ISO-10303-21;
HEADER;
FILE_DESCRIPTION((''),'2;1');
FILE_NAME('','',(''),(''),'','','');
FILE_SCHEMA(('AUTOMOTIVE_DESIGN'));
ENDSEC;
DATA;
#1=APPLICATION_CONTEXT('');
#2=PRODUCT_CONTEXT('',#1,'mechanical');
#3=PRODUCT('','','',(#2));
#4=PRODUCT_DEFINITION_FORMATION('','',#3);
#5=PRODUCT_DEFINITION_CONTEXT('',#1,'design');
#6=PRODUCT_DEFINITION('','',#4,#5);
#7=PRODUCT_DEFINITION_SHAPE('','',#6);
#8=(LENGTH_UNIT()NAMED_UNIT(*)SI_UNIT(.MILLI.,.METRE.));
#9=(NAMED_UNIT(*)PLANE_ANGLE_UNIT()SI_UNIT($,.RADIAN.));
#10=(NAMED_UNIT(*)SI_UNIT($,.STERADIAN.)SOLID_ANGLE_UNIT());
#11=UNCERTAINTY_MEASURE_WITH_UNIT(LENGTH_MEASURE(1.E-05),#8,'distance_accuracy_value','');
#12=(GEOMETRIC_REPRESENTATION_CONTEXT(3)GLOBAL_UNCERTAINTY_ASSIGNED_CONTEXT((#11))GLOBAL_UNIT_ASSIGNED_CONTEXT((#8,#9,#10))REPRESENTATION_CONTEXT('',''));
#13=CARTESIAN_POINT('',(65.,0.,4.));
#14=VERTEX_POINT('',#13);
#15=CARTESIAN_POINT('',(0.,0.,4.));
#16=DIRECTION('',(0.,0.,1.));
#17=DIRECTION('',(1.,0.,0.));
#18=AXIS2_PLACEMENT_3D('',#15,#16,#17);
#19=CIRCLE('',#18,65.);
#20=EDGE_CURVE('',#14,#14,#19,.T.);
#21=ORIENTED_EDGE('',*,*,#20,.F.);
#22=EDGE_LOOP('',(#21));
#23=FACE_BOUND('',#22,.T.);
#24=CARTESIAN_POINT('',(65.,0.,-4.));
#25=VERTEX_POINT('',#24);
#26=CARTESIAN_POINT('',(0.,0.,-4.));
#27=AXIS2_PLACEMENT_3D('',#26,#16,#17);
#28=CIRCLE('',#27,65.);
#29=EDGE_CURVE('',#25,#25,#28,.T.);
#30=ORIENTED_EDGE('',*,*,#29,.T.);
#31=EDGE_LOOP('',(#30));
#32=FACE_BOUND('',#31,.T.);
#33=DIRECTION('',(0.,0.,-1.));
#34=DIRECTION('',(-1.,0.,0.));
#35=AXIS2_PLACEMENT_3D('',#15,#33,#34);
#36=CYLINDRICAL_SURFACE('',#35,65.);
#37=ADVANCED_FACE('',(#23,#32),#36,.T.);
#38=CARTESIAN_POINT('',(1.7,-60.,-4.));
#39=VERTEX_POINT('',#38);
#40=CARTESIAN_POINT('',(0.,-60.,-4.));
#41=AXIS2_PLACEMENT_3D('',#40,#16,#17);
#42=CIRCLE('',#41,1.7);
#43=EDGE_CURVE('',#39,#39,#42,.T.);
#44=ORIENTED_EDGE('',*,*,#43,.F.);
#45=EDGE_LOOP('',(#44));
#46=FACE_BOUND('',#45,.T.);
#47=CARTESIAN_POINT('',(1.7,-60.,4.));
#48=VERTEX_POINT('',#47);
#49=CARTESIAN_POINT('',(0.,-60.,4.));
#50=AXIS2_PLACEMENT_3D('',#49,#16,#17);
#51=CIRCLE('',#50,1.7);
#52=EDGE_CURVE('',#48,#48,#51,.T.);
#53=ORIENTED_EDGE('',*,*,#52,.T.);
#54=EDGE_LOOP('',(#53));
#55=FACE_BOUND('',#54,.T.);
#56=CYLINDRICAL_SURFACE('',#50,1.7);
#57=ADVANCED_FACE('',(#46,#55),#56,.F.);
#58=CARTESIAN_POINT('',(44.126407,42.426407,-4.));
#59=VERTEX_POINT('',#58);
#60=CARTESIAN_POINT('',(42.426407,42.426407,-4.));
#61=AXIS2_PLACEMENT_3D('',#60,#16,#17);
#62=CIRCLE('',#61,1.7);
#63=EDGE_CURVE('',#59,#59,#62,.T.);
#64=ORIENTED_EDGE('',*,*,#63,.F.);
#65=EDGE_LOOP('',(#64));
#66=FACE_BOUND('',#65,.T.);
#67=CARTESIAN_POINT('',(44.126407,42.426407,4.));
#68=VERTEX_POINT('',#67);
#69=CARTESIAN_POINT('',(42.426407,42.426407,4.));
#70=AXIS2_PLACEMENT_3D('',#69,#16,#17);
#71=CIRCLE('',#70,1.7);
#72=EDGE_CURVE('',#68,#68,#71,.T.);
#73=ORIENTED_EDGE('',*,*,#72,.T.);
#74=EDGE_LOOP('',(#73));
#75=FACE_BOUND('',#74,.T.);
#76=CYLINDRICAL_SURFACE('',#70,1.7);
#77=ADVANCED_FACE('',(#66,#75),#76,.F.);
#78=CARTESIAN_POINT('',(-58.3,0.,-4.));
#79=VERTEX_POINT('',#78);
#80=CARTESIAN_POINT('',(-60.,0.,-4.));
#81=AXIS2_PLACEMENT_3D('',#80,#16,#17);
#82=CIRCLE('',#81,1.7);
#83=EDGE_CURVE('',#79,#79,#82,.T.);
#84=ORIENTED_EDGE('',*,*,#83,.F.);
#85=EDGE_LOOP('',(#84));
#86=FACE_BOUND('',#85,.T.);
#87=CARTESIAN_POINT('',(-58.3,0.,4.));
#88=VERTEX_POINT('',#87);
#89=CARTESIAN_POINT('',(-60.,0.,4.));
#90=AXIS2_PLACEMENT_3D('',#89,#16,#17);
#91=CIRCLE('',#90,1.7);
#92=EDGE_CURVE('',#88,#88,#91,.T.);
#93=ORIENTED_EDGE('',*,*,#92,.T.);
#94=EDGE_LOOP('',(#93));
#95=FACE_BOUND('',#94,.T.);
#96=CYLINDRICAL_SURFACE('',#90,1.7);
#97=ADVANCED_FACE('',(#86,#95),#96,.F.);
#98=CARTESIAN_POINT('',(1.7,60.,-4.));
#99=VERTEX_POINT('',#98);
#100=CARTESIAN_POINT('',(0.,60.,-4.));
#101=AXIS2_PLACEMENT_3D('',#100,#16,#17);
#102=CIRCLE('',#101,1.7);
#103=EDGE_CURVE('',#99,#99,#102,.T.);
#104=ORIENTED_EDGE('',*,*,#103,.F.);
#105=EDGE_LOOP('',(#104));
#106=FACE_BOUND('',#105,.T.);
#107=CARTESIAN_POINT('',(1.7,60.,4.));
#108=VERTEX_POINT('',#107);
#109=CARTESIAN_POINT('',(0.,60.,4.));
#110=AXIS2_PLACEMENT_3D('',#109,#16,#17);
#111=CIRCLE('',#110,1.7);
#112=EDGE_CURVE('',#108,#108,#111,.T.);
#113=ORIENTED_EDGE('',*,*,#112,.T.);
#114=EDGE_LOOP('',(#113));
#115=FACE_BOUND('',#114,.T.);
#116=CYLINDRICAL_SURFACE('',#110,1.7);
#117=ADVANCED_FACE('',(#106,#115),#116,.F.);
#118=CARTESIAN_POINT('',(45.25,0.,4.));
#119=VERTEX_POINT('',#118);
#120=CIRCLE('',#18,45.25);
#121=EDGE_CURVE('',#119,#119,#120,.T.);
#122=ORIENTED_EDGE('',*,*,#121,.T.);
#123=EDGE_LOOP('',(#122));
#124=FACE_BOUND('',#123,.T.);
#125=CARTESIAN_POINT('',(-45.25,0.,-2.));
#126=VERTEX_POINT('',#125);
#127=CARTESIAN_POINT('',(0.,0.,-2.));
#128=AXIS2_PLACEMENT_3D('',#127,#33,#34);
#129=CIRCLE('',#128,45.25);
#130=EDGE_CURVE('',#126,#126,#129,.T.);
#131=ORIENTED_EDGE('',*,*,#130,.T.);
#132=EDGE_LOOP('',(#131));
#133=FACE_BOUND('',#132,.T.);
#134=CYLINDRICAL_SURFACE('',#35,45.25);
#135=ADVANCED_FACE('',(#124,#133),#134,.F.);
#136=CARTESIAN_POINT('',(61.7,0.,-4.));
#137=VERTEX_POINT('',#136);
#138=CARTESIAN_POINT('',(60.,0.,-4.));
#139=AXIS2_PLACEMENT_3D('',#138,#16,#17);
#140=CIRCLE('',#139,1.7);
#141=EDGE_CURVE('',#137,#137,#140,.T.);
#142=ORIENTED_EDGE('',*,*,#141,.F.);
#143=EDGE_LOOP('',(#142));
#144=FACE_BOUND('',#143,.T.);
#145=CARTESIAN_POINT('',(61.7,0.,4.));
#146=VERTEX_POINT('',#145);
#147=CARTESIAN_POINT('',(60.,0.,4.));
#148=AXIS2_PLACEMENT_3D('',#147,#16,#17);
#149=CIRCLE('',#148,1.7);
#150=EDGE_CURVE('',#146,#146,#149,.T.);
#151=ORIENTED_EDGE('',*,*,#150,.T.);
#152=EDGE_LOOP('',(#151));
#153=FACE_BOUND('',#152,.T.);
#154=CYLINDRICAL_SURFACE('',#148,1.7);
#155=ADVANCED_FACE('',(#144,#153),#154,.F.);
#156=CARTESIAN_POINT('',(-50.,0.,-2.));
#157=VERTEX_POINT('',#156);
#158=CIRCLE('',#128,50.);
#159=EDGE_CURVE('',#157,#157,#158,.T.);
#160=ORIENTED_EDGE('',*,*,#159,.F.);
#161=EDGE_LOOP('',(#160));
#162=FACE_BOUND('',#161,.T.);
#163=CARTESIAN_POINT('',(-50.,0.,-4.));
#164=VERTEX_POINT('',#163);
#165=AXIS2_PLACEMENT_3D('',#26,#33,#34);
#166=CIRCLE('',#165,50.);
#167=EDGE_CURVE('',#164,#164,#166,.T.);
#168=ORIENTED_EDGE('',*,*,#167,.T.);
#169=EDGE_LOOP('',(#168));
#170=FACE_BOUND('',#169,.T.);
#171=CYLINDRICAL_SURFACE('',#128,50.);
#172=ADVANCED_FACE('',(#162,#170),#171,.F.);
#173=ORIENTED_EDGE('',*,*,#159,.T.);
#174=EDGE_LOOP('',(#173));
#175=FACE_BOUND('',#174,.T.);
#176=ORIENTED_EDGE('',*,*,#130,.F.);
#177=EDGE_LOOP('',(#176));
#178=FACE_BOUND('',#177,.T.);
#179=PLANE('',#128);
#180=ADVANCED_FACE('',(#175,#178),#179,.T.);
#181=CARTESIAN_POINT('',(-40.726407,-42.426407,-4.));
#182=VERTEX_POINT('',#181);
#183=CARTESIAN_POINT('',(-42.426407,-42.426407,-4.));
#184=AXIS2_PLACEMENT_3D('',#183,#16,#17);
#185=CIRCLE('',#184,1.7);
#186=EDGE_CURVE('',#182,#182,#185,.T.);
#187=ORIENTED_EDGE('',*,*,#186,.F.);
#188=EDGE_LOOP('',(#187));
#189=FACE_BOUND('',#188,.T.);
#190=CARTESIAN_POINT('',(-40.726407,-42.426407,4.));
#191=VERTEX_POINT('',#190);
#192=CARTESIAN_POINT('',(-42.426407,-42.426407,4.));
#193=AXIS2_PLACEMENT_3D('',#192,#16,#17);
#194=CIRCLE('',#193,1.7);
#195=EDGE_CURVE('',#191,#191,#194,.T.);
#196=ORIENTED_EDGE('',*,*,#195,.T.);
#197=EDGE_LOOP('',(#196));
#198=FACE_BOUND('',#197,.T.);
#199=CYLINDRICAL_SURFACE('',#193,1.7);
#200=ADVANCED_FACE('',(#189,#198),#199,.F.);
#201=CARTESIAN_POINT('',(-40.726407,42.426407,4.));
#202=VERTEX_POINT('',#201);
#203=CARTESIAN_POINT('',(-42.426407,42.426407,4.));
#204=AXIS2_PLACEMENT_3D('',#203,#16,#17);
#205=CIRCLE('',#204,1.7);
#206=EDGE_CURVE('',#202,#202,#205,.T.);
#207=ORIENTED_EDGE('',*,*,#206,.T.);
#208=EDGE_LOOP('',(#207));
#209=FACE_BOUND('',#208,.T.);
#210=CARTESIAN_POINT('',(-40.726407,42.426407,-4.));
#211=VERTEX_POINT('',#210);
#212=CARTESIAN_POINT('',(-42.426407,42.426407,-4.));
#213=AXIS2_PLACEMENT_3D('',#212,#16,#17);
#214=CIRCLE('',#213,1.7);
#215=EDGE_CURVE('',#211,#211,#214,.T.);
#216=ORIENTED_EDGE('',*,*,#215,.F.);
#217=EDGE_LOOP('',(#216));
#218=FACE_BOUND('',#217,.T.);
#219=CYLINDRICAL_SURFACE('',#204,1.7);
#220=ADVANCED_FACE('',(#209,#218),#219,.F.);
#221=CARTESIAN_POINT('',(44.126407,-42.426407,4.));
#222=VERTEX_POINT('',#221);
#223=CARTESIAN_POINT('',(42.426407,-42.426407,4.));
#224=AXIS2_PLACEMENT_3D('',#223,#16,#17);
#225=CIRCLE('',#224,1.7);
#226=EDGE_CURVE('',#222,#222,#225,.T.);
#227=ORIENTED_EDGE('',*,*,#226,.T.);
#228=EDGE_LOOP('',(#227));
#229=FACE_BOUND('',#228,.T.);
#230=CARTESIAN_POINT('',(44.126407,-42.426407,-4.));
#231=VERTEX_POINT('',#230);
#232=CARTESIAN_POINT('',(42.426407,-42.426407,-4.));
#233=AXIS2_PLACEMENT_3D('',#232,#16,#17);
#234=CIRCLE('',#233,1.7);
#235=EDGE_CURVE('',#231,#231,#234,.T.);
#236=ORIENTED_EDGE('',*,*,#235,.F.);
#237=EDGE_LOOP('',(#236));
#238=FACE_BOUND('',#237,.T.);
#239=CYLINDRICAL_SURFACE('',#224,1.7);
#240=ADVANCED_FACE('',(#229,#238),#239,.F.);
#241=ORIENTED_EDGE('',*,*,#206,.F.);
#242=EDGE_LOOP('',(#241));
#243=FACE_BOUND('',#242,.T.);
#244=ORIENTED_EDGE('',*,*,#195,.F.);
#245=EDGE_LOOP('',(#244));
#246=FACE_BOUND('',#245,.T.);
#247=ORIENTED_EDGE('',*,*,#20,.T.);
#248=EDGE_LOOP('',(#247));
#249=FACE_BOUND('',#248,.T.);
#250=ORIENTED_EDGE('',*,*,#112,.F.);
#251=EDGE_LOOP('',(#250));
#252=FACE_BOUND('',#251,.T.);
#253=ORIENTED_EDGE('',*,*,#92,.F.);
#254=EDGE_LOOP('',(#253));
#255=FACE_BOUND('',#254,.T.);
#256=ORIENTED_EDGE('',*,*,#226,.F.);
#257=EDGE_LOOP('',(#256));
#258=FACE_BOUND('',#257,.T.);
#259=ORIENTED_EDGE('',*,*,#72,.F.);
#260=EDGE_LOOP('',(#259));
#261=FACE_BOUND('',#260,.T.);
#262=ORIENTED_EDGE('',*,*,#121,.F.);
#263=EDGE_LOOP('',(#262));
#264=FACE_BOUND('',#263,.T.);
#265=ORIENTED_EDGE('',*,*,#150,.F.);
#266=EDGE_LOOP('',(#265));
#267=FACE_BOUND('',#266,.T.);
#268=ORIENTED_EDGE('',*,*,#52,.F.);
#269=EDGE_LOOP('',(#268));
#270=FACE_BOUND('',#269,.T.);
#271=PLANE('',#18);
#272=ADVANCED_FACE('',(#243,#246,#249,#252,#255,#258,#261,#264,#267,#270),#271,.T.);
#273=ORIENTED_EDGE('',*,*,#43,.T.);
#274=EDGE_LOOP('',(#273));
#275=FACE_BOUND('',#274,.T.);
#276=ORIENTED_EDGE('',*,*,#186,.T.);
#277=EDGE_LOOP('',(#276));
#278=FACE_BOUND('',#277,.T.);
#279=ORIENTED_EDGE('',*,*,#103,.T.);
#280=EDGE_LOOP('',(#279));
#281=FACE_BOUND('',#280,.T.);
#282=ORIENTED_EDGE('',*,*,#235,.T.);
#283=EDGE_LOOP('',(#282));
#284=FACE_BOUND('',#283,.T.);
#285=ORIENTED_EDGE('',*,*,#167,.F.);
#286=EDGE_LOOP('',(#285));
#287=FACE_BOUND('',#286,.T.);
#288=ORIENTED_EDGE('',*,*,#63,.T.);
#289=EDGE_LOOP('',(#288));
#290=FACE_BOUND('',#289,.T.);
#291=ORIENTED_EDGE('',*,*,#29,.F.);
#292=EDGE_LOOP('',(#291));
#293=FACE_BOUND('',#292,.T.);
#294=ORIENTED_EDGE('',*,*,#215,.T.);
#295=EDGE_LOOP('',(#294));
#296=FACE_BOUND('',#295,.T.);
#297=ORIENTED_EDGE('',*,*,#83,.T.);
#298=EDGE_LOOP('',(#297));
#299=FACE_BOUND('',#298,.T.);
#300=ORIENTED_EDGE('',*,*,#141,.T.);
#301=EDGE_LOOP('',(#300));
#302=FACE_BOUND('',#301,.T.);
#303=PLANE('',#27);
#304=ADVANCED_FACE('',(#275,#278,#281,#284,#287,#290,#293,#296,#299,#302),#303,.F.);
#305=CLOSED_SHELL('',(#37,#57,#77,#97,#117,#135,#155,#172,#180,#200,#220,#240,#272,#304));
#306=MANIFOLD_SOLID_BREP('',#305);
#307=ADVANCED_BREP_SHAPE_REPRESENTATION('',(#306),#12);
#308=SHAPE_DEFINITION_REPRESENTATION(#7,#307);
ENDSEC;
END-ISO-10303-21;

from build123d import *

# Parameters (mm, degrees)
CROQUIS1_R                   = 65
CROQUIS1_R_2                 = 45.25
SALIENTE_EXTRUIR1_DEPTH      = 4
TALADRO_DE_MARGEN_PARA_M31_D = 3.4
CROQUIS4_R                   = 50
CORTAR_EXTRUIR1_DEPTH        = 2


with BuildPart() as part:
    # Croquis1 → Saliente-Extruir1 (new, symmetric)
    with BuildSketch(Plane.XY):
        Circle(CROQUIS1_R)
        Circle(CROQUIS1_R_2, mode=Mode.SUBTRACT)
    extrude(amount=SALIENTE_EXTRUIR1_DEPTH, both=True)

    # Taladro de margen para M31 (through all)
    with Locations(Plane.XY.offset(4)):
        with Locations((0, 60), (42.426406871, 42.426406871), (60, 0), (42.426406871, -42.426406871), (0, -60), (-42.426406871, -42.426406871), (-60, 0), (-42.426406871, 42.426406871)):
            Hole(TALADRO_DE_MARGEN_PARA_M31_D / 2)

    # Croquis4 → Cortar-Extruir1 (cut)
    with BuildSketch(Plane(origin=(0, 0, -4), x_dir=(-1, 0, 0), z_dir=(0, 0, -1))):
        Circle(CROQUIS4_R)
    extrude(amount=-CORTAR_EXTRUIR1_DEPTH, mode=Mode.SUBTRACT)


solid = part.part
